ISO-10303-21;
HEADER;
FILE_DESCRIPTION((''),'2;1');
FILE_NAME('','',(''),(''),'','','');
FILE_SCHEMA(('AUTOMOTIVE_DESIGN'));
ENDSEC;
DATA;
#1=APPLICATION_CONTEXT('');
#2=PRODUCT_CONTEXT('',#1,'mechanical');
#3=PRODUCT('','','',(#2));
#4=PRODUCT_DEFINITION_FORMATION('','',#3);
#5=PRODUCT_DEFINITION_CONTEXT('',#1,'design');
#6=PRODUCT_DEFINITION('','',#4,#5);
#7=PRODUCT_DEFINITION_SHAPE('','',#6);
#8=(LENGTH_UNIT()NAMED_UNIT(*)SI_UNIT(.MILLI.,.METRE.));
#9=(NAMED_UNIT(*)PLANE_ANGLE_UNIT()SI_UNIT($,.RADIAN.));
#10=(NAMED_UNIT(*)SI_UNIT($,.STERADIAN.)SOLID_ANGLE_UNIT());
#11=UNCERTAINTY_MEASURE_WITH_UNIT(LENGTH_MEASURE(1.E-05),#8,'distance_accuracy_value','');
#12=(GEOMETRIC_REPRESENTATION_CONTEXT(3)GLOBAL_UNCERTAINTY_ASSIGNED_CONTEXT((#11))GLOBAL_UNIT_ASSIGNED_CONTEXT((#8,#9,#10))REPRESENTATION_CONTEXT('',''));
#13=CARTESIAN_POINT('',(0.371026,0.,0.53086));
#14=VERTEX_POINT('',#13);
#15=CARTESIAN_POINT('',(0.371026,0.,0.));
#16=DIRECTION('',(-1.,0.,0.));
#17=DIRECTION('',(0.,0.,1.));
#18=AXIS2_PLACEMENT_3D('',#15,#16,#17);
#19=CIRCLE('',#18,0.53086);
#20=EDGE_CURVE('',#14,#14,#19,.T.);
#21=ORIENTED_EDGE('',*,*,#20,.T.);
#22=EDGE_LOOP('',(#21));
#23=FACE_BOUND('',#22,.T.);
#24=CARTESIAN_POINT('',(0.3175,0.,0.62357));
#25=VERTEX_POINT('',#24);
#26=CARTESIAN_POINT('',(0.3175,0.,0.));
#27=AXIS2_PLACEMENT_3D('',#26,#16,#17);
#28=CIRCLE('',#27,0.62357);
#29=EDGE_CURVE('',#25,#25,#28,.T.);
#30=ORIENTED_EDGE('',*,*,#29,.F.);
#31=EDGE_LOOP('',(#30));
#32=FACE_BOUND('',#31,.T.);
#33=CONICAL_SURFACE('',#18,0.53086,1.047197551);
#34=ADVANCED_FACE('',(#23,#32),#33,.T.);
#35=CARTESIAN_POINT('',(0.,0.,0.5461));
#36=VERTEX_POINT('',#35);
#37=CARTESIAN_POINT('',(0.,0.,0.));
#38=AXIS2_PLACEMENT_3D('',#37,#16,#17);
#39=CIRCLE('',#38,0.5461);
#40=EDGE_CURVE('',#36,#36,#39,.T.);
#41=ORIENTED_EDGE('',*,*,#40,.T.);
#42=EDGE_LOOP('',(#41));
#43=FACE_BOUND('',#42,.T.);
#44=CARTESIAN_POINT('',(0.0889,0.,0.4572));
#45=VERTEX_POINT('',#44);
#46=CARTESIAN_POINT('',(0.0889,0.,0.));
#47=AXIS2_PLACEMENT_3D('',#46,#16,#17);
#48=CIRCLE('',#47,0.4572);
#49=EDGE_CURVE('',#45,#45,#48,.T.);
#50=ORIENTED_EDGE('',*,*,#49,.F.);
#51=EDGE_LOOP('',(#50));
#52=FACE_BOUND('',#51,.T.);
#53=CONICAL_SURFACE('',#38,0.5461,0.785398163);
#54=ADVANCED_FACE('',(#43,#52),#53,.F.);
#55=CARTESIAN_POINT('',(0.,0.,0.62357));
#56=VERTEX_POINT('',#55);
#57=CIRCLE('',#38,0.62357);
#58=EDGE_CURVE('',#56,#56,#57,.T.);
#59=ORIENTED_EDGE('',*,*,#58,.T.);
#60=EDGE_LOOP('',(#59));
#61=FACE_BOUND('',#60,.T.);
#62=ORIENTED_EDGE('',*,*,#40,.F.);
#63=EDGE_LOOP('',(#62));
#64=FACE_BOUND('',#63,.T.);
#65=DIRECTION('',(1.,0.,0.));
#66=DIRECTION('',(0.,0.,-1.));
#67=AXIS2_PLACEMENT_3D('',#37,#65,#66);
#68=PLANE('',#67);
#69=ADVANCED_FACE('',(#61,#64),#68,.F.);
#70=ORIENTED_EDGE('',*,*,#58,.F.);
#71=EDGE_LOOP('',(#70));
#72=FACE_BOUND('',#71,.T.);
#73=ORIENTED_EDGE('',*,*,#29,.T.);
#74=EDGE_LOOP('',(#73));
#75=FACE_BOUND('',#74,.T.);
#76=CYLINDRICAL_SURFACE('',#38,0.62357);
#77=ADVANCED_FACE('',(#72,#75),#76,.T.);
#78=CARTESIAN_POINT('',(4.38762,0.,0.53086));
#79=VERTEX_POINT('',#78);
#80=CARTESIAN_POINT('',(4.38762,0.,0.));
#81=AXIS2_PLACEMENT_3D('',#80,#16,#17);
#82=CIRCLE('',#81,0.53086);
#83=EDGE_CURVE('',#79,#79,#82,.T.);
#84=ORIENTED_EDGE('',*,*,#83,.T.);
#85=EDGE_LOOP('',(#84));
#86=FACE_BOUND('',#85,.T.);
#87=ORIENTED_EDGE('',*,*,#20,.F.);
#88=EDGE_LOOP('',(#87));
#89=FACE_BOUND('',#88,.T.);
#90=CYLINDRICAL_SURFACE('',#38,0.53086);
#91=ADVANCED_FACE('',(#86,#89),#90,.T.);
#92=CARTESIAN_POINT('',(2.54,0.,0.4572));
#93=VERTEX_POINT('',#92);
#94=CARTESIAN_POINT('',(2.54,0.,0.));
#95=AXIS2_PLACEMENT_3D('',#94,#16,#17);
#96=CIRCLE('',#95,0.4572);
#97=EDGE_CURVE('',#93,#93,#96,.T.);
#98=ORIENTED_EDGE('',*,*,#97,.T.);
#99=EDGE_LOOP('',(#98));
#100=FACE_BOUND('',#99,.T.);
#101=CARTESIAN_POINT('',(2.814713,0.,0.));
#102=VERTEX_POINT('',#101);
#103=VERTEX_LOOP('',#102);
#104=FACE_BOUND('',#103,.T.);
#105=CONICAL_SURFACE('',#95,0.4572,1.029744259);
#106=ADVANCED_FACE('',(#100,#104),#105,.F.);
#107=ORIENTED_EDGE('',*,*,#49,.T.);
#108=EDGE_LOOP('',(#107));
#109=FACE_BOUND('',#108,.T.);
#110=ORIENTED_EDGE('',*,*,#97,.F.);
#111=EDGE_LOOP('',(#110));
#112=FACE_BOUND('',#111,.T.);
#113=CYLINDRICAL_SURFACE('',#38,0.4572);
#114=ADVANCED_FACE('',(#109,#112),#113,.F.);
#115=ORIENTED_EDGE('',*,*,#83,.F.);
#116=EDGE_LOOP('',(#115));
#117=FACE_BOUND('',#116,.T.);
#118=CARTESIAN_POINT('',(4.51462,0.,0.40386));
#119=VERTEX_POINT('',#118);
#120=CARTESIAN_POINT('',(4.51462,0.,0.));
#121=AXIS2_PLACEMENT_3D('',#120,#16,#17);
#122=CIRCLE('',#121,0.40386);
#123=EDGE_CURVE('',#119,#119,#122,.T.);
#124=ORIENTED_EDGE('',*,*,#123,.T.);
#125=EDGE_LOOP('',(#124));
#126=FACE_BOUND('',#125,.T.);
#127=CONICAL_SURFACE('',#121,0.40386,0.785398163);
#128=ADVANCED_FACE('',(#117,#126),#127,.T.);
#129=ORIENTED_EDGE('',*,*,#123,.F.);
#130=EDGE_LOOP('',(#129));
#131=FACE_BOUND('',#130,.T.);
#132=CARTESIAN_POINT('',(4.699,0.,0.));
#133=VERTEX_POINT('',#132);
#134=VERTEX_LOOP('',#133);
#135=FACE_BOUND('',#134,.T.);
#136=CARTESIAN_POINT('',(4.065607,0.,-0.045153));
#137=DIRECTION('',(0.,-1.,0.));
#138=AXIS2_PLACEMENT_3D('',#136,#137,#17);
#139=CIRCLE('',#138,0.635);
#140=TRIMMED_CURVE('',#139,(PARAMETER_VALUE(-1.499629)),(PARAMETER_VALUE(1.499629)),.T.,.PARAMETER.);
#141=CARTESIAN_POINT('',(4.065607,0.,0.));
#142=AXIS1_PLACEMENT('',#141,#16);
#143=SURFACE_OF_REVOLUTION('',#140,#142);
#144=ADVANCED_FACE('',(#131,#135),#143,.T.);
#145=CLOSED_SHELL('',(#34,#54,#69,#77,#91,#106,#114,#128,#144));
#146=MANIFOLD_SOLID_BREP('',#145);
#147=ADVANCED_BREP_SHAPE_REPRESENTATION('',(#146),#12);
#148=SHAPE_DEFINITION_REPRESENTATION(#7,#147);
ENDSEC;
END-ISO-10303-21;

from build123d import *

# Parameters (mm, degrees)
HOLE1_D           = 0.9144
HOLE1_DEPTH       = 2.54
HOLE1_CSINK_D     = 1.0922
HOLE1_CSINK_ANGLE = 90
HOLE1_TIP         = 0.274713475


with BuildPart() as part:
    # Sketch1 → RevolutionAngle1 (revolve)
    with BuildSketch(Plane.XY):
        with BuildLine():
            Line((0, 0), (0, 0.62357))
            Line((0, 0.62357), (0.3175, 0.62357))
            Line((0.3175, 0.62357), (0.371026143, 0.53086))
            Line((0.371026143, 0.53086), (4.387620176, 0.53086))
            Line((4.387620176, 0.53086), (4.514620176, 0.40386))
            ThreePointArc((4.514620176, 0.40386), (4.643254413, 0.218568435), (4.699, 0))
            Line((4.699, 0), (0, 0))
        make_face()
    revolve(axis=Axis((0, 0, 0), (1, 0, 0)))

    # Hole1
    with Locations(Plane.ZY):
        with Locations((0, 0)):
            CounterSinkHole(HOLE1_D / 2, HOLE1_CSINK_D / 2, depth=HOLE1_DEPTH, counter_sink_angle=HOLE1_CSINK_ANGLE)
            with Locations((0, 0, -(HOLE1_DEPTH + HOLE1_TIP / 2))):  # 118° drill point
                Cone(0, HOLE1_D / 2, HOLE1_TIP, mode=Mode.SUBTRACT)


solid = part.part
